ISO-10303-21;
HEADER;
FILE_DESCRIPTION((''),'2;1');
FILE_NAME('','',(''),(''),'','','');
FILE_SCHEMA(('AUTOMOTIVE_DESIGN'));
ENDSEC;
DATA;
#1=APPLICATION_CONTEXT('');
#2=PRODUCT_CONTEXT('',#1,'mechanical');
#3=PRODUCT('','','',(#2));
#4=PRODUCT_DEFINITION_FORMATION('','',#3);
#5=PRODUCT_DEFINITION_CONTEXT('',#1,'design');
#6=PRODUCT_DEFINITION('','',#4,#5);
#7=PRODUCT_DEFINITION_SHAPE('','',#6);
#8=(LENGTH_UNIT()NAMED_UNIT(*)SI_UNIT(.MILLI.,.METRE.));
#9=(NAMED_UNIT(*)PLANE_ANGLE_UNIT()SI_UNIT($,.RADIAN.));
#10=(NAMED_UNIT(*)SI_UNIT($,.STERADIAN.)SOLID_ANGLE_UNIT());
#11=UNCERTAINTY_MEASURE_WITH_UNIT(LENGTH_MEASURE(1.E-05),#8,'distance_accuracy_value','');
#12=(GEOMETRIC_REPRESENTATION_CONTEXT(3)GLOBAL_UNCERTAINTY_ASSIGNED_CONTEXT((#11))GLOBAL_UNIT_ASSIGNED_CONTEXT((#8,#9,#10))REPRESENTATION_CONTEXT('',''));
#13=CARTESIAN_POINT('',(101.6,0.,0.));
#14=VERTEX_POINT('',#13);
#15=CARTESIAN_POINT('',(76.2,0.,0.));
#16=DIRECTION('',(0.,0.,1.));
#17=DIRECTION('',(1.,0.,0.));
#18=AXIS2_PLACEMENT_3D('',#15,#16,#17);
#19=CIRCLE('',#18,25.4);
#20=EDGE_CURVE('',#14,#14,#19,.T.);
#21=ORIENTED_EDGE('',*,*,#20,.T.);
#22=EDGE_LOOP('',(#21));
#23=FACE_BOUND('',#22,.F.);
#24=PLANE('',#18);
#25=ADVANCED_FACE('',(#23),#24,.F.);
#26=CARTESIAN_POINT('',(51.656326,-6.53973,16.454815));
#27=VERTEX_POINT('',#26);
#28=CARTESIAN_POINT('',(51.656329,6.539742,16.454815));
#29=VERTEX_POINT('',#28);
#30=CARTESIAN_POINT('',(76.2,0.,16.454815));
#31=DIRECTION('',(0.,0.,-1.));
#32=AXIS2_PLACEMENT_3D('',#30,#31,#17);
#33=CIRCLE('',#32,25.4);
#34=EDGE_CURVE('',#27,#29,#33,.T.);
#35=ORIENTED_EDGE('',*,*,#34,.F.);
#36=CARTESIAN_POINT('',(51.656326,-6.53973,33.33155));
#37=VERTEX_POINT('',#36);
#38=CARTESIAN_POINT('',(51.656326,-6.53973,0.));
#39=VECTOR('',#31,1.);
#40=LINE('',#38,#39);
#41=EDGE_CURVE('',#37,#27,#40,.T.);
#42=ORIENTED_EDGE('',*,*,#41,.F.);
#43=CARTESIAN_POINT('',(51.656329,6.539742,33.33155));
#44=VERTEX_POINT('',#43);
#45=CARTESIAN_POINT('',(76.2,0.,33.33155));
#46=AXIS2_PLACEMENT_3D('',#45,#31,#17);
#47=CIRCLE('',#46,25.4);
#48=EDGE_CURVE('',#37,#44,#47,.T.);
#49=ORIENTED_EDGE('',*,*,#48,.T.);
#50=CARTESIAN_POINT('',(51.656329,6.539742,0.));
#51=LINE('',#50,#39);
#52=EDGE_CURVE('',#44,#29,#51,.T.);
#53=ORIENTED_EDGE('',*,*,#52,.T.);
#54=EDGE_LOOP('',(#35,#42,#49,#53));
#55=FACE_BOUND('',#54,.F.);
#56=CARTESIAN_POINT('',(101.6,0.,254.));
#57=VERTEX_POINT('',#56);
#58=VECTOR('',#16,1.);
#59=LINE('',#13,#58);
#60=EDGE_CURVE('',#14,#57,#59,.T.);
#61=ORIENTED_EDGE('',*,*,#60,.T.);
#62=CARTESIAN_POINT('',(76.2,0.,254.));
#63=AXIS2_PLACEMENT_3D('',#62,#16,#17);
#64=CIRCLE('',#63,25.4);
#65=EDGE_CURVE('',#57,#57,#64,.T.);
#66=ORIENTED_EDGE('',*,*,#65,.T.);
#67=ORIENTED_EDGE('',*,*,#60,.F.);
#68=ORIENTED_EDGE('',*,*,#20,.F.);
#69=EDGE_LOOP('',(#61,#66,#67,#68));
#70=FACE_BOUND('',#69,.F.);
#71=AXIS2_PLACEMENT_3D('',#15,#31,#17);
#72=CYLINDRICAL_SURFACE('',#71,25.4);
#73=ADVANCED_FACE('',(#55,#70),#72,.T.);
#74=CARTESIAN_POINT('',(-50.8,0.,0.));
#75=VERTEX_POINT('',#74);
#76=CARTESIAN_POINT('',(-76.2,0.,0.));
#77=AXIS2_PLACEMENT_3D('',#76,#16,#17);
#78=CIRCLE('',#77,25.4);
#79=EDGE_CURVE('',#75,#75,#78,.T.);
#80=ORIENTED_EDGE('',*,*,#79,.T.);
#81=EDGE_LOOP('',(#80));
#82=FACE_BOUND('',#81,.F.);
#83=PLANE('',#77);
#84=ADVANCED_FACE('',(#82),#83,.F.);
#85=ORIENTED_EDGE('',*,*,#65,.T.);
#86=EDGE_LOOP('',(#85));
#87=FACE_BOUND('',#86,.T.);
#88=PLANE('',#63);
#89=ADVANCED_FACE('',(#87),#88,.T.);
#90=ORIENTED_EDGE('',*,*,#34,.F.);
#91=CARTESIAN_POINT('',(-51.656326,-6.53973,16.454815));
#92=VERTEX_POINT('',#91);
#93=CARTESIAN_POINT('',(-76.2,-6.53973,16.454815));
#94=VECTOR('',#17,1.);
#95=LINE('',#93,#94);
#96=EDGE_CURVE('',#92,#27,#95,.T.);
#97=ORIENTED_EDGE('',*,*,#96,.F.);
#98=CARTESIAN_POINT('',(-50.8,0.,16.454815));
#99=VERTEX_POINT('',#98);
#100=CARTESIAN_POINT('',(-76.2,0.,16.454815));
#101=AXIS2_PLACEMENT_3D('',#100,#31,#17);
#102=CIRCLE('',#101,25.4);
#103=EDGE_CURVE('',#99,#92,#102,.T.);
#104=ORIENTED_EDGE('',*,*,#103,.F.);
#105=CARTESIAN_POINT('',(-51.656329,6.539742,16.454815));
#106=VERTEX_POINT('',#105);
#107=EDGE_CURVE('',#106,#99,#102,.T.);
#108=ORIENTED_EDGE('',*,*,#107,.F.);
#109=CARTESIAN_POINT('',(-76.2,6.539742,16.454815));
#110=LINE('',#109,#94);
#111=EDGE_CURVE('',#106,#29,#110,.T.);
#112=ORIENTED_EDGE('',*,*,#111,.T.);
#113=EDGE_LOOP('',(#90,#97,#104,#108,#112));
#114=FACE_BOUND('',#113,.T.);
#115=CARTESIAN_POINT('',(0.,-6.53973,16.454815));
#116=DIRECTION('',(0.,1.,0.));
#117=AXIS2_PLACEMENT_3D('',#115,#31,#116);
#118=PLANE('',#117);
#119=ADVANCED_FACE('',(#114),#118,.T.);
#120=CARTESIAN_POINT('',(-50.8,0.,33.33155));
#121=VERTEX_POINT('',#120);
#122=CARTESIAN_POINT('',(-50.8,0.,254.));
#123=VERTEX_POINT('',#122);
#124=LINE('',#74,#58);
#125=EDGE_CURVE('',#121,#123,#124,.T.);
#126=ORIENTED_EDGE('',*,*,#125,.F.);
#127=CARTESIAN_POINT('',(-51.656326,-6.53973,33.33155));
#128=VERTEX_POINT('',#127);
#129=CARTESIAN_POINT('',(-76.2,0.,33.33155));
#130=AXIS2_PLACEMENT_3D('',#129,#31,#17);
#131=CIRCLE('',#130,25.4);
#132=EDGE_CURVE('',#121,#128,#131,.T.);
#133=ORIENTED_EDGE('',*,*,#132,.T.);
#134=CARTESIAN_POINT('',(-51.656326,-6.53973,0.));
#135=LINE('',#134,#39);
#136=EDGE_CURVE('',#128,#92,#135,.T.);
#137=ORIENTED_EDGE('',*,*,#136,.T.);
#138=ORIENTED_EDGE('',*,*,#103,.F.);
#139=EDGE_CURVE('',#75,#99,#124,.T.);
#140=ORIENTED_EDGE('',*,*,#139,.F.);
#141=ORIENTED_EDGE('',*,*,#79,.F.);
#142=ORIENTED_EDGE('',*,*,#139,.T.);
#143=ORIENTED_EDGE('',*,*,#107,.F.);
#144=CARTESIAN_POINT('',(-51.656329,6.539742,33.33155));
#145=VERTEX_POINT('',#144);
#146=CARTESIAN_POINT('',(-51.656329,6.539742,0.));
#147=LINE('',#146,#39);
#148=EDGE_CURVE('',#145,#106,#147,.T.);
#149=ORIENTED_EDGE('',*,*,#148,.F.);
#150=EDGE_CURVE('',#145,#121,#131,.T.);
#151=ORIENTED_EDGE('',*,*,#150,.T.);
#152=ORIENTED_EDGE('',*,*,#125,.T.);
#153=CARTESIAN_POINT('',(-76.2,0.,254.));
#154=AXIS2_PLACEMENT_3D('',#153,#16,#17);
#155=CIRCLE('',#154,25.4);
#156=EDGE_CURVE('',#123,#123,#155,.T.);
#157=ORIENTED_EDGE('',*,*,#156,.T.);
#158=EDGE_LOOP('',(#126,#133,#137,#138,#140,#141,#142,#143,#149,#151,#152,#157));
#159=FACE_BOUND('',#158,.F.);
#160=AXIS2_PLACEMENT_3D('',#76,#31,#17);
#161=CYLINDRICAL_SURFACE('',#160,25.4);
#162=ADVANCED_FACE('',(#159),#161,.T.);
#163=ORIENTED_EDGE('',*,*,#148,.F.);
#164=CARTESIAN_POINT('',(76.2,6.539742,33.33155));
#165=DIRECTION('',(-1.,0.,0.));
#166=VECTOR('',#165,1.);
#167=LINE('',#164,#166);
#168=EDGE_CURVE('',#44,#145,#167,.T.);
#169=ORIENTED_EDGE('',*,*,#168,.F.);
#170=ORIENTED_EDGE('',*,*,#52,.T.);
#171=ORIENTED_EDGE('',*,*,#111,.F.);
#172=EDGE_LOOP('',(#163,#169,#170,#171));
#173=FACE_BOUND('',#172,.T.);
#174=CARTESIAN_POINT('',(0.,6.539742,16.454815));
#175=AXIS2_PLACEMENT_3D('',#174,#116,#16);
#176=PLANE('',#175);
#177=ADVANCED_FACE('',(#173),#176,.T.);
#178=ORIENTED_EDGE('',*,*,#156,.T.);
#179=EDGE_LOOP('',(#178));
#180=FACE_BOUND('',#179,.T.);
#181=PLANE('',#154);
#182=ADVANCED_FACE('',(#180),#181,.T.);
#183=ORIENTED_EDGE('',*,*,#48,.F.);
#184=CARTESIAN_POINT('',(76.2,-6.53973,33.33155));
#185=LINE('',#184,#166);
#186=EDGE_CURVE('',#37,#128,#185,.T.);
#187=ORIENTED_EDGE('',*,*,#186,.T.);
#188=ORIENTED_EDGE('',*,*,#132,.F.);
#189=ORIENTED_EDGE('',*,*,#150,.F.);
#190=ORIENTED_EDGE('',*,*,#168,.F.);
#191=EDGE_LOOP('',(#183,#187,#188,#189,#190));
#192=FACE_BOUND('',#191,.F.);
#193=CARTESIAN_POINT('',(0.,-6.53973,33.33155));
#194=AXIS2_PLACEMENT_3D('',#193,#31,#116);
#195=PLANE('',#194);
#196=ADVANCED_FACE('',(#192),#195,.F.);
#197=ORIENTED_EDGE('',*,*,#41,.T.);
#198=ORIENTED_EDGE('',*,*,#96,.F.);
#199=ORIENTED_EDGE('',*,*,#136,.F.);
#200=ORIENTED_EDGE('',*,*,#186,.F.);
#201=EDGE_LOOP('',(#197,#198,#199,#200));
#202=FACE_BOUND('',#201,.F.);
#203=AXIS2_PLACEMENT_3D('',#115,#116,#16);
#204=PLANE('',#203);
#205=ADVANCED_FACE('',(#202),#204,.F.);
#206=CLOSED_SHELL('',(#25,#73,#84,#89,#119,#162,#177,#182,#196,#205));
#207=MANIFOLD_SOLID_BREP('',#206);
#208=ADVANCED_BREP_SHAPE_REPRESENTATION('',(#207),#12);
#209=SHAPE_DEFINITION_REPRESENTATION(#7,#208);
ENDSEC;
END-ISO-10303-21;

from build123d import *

# Parameters (mm, degrees)
F1_W     = 13.079472
F1_H     = 16.876735
F2_DEPTH = 76.2
F0_R     = 25.4
F3_DEPTH = 254


with BuildPart() as f2:
    # F1 (on Right) → F2 (new body, symmetric)
    with BuildSketch(Plane.YZ):
        with Locations((6e-06, 24.893183)):
            Rectangle(F1_W, F1_H)
    extrude(amount=F2_DEPTH, both=True)

    # F0 (on Top) → F3 (join)
    with BuildSketch(Plane.XY):
        with Locations((-76.2, 0)):
            Circle(F0_R)
        with Locations((76.2, 0)):
            Circle(F0_R)
    extrude(amount=F3_DEPTH)


solid = f2.part
